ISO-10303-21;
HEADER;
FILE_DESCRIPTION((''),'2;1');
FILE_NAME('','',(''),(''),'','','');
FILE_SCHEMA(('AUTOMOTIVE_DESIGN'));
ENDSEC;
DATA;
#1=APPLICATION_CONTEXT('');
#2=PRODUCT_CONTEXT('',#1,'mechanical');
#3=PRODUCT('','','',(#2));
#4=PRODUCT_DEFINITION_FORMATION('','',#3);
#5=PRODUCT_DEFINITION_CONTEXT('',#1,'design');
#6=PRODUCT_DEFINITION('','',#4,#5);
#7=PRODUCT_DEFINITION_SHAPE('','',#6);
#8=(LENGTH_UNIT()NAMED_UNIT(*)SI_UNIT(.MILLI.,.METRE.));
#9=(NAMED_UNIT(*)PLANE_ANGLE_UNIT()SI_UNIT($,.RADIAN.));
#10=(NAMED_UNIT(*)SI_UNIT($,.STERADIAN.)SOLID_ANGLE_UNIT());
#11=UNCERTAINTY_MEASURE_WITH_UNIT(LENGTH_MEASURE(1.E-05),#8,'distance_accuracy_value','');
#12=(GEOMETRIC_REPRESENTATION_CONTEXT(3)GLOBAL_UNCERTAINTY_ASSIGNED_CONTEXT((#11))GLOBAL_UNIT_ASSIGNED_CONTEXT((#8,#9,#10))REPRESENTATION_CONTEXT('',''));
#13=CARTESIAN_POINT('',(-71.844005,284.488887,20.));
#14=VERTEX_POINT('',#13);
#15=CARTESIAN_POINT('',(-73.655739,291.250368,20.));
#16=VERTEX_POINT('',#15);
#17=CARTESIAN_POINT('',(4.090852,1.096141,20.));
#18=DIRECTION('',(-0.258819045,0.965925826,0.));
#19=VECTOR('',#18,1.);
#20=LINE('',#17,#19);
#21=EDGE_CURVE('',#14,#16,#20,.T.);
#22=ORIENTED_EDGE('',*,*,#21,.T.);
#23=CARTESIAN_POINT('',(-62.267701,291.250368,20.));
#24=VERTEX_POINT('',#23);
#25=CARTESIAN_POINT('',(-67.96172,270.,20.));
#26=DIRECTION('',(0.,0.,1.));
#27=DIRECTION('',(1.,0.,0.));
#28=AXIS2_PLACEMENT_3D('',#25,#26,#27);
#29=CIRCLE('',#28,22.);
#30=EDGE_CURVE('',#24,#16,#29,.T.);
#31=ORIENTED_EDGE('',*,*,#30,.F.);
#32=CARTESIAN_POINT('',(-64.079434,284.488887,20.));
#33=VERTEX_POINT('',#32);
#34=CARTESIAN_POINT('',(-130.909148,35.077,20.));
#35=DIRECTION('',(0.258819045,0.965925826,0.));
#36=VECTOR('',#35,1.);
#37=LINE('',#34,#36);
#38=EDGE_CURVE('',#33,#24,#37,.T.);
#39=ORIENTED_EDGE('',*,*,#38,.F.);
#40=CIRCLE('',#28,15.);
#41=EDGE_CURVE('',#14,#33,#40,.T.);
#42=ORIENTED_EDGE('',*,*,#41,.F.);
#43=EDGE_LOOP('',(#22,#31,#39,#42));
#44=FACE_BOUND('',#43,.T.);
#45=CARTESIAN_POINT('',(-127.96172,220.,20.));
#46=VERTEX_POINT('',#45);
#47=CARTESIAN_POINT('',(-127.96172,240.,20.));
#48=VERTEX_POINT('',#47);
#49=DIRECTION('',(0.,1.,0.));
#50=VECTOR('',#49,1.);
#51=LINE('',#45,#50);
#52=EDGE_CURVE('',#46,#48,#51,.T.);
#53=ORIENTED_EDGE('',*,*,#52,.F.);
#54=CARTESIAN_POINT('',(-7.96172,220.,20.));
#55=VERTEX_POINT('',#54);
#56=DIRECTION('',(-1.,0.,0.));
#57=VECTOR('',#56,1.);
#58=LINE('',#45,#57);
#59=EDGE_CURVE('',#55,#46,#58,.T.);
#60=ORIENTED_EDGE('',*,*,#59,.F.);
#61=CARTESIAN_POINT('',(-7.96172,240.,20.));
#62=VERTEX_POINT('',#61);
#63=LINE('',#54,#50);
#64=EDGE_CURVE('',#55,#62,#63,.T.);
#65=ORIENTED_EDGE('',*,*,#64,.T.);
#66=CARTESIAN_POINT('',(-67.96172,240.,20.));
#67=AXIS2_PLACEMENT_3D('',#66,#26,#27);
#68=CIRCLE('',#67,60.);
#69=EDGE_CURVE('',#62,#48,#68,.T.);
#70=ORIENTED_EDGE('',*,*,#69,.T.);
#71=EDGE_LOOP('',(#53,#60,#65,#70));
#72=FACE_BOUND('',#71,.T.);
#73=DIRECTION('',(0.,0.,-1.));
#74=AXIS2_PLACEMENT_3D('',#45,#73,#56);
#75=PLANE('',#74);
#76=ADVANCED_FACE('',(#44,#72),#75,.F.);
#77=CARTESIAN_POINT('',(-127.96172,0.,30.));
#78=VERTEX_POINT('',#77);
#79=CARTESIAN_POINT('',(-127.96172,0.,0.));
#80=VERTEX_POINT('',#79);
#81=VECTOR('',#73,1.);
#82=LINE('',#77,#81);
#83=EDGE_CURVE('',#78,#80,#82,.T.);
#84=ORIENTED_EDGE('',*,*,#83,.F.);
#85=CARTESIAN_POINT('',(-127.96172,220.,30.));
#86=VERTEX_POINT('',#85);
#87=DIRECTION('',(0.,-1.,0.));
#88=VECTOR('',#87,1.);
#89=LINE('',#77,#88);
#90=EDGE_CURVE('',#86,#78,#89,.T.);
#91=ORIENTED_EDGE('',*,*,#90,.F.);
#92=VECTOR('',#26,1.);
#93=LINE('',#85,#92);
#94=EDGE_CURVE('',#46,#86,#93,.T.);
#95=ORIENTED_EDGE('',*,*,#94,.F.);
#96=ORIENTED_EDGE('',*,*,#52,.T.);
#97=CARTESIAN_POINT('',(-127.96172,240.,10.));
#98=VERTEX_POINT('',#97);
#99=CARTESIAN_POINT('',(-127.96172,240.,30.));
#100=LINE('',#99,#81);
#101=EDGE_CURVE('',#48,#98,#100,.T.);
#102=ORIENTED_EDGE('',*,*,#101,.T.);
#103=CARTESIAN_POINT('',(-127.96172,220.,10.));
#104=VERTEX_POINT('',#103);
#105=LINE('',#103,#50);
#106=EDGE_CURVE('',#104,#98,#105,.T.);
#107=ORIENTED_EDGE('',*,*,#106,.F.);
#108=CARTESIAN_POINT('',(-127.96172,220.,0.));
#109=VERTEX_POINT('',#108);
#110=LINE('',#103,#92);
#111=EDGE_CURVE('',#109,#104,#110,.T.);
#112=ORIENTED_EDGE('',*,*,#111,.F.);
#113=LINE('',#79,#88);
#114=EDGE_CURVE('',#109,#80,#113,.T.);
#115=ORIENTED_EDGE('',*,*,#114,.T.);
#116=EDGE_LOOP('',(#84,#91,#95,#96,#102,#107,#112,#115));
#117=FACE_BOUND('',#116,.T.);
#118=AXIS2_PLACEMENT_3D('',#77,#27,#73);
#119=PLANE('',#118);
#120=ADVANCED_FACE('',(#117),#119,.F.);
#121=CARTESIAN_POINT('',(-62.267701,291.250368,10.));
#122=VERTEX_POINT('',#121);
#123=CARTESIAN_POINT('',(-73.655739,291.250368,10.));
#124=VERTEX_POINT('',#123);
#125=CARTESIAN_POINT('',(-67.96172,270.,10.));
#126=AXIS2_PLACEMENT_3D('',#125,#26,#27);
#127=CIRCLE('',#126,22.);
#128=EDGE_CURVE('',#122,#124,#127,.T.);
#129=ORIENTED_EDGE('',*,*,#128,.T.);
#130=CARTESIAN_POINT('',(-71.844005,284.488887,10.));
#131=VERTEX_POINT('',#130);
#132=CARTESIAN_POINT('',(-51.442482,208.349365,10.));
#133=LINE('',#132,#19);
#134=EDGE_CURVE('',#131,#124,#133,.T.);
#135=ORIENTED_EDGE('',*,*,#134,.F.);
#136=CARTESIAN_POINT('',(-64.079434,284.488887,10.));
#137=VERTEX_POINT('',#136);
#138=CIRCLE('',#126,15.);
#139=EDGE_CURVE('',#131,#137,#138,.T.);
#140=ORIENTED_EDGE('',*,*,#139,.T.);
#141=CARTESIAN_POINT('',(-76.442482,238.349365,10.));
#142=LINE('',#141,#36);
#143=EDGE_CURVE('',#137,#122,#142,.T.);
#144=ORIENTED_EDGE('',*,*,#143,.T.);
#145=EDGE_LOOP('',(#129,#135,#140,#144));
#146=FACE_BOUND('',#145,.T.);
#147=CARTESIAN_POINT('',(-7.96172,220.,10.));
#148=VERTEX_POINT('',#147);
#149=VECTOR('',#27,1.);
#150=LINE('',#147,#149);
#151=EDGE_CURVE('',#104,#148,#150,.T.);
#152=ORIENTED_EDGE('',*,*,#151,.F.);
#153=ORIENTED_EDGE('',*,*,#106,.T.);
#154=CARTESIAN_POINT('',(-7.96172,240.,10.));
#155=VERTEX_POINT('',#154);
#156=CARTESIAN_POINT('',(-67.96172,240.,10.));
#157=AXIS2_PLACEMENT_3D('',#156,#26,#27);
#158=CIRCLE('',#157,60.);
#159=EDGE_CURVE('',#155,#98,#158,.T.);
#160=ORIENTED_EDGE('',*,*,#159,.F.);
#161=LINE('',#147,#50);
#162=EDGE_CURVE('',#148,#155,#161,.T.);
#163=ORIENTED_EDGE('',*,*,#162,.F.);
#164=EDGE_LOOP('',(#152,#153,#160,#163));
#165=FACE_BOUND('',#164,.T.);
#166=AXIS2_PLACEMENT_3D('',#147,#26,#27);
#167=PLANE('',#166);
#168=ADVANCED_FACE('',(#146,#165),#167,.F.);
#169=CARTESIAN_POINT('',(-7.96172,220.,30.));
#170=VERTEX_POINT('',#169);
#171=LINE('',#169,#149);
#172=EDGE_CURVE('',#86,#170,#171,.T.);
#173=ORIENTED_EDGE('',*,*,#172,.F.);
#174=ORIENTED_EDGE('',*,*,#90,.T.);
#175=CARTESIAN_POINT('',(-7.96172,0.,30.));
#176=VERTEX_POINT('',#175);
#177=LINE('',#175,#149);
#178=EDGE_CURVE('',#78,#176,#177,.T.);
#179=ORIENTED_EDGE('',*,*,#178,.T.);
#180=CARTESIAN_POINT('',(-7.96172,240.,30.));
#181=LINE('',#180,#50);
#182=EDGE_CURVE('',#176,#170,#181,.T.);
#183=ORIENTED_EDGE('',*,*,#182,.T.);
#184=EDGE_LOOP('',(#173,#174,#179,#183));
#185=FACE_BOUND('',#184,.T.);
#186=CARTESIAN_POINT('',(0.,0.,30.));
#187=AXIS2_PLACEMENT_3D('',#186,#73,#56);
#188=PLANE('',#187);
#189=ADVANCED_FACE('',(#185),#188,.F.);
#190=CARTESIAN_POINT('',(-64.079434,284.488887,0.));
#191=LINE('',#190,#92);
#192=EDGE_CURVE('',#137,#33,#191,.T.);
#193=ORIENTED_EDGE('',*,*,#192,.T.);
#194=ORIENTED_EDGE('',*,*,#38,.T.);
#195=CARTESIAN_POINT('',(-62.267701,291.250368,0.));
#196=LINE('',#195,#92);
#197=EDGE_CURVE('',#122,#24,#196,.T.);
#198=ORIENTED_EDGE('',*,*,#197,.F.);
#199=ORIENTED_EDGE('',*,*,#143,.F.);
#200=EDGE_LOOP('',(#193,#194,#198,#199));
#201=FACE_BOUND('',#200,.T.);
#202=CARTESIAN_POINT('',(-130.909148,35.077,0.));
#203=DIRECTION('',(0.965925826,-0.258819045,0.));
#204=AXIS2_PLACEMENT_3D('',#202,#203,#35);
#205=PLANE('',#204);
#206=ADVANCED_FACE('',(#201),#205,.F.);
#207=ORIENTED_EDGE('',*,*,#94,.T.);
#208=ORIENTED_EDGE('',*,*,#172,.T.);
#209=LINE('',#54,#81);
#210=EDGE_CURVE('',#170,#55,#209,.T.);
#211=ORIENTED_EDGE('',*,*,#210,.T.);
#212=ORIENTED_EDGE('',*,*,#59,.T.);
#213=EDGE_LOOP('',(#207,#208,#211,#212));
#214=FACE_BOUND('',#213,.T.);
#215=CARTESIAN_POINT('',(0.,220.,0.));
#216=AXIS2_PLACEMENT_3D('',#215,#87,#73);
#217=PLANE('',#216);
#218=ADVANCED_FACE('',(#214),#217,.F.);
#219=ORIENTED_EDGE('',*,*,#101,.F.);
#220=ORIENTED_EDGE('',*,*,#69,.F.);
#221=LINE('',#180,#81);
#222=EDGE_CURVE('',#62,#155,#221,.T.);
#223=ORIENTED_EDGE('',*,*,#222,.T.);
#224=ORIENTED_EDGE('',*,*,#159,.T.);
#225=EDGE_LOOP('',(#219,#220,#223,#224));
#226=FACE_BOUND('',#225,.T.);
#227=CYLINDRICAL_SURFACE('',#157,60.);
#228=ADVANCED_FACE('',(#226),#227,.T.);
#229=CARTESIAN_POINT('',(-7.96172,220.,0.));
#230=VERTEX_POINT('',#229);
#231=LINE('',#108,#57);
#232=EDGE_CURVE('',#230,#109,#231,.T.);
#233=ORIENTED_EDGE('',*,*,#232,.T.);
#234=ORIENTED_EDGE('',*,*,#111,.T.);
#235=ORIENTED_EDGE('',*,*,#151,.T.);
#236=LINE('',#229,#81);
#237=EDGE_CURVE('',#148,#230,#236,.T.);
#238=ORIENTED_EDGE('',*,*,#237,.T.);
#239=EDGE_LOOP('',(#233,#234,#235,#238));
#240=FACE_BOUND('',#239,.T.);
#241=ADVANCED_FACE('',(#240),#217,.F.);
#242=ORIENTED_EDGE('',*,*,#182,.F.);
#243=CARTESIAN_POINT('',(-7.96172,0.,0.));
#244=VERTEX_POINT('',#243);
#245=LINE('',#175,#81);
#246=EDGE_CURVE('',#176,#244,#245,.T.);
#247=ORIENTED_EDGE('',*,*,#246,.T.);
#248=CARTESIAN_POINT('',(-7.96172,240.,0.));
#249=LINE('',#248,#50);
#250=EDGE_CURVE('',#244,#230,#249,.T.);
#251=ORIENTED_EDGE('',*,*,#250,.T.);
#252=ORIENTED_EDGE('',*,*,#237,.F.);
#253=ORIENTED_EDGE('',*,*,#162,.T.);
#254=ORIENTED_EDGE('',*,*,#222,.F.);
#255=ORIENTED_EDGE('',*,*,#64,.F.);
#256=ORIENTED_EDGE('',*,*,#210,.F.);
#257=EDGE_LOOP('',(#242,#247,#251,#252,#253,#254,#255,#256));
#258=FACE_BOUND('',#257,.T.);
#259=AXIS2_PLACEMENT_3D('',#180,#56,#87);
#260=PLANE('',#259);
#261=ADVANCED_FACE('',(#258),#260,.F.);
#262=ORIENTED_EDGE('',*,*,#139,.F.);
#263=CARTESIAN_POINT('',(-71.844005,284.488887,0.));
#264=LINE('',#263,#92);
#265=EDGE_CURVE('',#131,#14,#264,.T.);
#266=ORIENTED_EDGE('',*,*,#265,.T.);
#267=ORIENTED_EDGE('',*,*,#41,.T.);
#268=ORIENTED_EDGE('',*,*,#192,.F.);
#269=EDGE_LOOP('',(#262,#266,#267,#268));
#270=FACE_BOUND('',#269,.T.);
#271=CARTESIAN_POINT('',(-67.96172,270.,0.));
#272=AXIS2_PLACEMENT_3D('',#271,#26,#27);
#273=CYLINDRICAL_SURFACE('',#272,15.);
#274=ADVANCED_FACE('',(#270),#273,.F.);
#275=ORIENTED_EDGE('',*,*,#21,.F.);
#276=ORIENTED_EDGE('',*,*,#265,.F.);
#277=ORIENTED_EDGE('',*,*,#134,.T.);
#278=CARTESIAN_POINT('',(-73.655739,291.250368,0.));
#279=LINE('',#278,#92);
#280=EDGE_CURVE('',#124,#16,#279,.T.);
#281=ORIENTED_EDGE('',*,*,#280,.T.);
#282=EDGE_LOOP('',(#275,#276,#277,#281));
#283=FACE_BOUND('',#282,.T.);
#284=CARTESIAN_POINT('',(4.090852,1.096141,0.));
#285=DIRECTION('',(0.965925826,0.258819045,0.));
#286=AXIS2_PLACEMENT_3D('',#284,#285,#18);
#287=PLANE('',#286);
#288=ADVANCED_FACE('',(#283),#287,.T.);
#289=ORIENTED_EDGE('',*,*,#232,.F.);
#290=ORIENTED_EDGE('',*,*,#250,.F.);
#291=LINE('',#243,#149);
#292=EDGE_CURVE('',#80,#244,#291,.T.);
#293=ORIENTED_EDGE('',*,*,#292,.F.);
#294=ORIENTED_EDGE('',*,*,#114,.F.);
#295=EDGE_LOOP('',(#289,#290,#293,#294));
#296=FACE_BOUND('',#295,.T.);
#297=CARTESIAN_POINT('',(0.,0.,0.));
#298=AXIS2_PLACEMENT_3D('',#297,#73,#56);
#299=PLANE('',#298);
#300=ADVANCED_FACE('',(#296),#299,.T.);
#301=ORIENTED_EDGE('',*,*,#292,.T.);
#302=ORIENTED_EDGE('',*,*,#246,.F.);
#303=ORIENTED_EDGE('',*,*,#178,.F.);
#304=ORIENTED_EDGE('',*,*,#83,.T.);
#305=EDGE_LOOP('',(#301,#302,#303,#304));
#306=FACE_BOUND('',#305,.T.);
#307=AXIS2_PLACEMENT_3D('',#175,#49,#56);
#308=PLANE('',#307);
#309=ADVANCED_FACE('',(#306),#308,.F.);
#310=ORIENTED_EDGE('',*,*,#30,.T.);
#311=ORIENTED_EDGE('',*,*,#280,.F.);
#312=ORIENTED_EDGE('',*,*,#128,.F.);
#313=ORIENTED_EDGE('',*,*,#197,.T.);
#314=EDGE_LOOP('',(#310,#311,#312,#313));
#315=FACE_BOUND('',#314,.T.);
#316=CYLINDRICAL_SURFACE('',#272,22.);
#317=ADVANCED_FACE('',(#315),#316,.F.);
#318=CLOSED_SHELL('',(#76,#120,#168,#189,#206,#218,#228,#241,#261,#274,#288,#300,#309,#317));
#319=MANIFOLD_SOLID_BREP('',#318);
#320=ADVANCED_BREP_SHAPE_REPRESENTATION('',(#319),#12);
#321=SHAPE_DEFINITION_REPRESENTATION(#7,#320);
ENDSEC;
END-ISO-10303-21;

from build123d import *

# Parameters (mm, degrees)
SKETCH_1_W          = 120
SKETCH_1_H          = 240
EXTRUDE_1_DEPTH     = 30
SKETCH_6_W          = 120
SKETCH_6_H          = 10
CUT_EXTRUDE_2_DEPTH = 20
EXTRUDE_4_DEPTH     = 10
CUT_EXTRUDE_3_DEPTH = 327.763219646


with BuildPart() as part:
    # 草图1 → 凸台-拉伸1 (new body)
    with BuildSketch(Plane.XY):
        with Locations((-67.961719718, 120)):
            Rectangle(SKETCH_1_W, SKETCH_1_H)
    extrude(amount=EXTRUDE_1_DEPTH)

    # 草图6 → 切除-拉伸2 (cut)
    with BuildSketch(Plane(origin=(0, 240, 0), x_dir=(1, 0, 0), z_dir=(0, 1, 0))):
        with Locations((-67.961719718, -5)):
            Rectangle(SKETCH_6_W, SKETCH_6_H)
        with Locations((-67.961719718, -25)):
            Rectangle(SKETCH_6_W, SKETCH_6_H)
    extrude(amount=-CUT_EXTRUDE_2_DEPTH, mode=Mode.SUBTRACT)

    # 草图7 → 凸台-拉伸4 (add)
    with BuildSketch(Plane.XY.offset(20)):
        with BuildLine():
            ThreePointArc((-7.961719718, 240), (-67.961719718, 300), (-127.961719718, 240))
            Line((-127.961719718, 240), (-7.961719718, 240))
        make_face()
        with BuildLine():
            Line((-7.961719718, 240), (-127.961719718, 240))
            ThreePointArc((-127.961719718, 240), (-67.961719718, 180), (-7.961719718, 240))
        make_face()
    extrude(amount=-EXTRUDE_4_DEPTH)

    # 草图8 → 切除-拉伸3 (cut, through all)
    with BuildSketch(Plane.XY.offset(20)):
        with BuildLine():
            ThreePointArc((-62.267700726, 291.250368178), (-67.961719718, 292), (-73.65573871, 291.250368178))
            Line((-73.65573871, 291.250368178), (-71.844005395, 284.488887394))
            ThreePointArc((-71.844005395, 284.488887394), (-67.961719718, 285), (-64.079434042, 284.488887394))
            Line((-64.079434042, 284.488887394), (-62.267700726, 291.250368178))
        make_face()
        with BuildLine():
            Line((-71.844005395, 284.488887394), (-67.961719718, 270))
            Line((-67.961719718, 270), (-64.079434042, 284.488887394))
            ThreePointArc((-64.079434042, 284.488887394), (-67.961719718, 285), (-71.844005395, 284.488887394))
        make_face()
        with BuildLine():
            Line((-67.961719718, 270), (-67.961719718, 255))
            ThreePointArc((-67.961719718, 255), (-57.355118, 259.393398282), (-52.961719718, 270))
            ThreePointArc((-52.961719718, 270), (-56.061419614, 279.131421435), (-64.079434042, 284.488887394))
            Line((-64.079434042, 284.488887394), (-67.961719718, 270))
        make_face()
        with BuildLine():
            ThreePointArc((-71.844005395, 284.488887394), (-82.833392639, 268.042107117), (-67.961719718, 255))
            Line((-67.961719718, 255), (-67.961719718, 270))
            Line((-67.961719718, 270), (-71.844005395, 284.488887394))
        make_face()
    extrude(amount=-CUT_EXTRUDE_3_DEPTH, mode=Mode.SUBTRACT)


solid = part.part
